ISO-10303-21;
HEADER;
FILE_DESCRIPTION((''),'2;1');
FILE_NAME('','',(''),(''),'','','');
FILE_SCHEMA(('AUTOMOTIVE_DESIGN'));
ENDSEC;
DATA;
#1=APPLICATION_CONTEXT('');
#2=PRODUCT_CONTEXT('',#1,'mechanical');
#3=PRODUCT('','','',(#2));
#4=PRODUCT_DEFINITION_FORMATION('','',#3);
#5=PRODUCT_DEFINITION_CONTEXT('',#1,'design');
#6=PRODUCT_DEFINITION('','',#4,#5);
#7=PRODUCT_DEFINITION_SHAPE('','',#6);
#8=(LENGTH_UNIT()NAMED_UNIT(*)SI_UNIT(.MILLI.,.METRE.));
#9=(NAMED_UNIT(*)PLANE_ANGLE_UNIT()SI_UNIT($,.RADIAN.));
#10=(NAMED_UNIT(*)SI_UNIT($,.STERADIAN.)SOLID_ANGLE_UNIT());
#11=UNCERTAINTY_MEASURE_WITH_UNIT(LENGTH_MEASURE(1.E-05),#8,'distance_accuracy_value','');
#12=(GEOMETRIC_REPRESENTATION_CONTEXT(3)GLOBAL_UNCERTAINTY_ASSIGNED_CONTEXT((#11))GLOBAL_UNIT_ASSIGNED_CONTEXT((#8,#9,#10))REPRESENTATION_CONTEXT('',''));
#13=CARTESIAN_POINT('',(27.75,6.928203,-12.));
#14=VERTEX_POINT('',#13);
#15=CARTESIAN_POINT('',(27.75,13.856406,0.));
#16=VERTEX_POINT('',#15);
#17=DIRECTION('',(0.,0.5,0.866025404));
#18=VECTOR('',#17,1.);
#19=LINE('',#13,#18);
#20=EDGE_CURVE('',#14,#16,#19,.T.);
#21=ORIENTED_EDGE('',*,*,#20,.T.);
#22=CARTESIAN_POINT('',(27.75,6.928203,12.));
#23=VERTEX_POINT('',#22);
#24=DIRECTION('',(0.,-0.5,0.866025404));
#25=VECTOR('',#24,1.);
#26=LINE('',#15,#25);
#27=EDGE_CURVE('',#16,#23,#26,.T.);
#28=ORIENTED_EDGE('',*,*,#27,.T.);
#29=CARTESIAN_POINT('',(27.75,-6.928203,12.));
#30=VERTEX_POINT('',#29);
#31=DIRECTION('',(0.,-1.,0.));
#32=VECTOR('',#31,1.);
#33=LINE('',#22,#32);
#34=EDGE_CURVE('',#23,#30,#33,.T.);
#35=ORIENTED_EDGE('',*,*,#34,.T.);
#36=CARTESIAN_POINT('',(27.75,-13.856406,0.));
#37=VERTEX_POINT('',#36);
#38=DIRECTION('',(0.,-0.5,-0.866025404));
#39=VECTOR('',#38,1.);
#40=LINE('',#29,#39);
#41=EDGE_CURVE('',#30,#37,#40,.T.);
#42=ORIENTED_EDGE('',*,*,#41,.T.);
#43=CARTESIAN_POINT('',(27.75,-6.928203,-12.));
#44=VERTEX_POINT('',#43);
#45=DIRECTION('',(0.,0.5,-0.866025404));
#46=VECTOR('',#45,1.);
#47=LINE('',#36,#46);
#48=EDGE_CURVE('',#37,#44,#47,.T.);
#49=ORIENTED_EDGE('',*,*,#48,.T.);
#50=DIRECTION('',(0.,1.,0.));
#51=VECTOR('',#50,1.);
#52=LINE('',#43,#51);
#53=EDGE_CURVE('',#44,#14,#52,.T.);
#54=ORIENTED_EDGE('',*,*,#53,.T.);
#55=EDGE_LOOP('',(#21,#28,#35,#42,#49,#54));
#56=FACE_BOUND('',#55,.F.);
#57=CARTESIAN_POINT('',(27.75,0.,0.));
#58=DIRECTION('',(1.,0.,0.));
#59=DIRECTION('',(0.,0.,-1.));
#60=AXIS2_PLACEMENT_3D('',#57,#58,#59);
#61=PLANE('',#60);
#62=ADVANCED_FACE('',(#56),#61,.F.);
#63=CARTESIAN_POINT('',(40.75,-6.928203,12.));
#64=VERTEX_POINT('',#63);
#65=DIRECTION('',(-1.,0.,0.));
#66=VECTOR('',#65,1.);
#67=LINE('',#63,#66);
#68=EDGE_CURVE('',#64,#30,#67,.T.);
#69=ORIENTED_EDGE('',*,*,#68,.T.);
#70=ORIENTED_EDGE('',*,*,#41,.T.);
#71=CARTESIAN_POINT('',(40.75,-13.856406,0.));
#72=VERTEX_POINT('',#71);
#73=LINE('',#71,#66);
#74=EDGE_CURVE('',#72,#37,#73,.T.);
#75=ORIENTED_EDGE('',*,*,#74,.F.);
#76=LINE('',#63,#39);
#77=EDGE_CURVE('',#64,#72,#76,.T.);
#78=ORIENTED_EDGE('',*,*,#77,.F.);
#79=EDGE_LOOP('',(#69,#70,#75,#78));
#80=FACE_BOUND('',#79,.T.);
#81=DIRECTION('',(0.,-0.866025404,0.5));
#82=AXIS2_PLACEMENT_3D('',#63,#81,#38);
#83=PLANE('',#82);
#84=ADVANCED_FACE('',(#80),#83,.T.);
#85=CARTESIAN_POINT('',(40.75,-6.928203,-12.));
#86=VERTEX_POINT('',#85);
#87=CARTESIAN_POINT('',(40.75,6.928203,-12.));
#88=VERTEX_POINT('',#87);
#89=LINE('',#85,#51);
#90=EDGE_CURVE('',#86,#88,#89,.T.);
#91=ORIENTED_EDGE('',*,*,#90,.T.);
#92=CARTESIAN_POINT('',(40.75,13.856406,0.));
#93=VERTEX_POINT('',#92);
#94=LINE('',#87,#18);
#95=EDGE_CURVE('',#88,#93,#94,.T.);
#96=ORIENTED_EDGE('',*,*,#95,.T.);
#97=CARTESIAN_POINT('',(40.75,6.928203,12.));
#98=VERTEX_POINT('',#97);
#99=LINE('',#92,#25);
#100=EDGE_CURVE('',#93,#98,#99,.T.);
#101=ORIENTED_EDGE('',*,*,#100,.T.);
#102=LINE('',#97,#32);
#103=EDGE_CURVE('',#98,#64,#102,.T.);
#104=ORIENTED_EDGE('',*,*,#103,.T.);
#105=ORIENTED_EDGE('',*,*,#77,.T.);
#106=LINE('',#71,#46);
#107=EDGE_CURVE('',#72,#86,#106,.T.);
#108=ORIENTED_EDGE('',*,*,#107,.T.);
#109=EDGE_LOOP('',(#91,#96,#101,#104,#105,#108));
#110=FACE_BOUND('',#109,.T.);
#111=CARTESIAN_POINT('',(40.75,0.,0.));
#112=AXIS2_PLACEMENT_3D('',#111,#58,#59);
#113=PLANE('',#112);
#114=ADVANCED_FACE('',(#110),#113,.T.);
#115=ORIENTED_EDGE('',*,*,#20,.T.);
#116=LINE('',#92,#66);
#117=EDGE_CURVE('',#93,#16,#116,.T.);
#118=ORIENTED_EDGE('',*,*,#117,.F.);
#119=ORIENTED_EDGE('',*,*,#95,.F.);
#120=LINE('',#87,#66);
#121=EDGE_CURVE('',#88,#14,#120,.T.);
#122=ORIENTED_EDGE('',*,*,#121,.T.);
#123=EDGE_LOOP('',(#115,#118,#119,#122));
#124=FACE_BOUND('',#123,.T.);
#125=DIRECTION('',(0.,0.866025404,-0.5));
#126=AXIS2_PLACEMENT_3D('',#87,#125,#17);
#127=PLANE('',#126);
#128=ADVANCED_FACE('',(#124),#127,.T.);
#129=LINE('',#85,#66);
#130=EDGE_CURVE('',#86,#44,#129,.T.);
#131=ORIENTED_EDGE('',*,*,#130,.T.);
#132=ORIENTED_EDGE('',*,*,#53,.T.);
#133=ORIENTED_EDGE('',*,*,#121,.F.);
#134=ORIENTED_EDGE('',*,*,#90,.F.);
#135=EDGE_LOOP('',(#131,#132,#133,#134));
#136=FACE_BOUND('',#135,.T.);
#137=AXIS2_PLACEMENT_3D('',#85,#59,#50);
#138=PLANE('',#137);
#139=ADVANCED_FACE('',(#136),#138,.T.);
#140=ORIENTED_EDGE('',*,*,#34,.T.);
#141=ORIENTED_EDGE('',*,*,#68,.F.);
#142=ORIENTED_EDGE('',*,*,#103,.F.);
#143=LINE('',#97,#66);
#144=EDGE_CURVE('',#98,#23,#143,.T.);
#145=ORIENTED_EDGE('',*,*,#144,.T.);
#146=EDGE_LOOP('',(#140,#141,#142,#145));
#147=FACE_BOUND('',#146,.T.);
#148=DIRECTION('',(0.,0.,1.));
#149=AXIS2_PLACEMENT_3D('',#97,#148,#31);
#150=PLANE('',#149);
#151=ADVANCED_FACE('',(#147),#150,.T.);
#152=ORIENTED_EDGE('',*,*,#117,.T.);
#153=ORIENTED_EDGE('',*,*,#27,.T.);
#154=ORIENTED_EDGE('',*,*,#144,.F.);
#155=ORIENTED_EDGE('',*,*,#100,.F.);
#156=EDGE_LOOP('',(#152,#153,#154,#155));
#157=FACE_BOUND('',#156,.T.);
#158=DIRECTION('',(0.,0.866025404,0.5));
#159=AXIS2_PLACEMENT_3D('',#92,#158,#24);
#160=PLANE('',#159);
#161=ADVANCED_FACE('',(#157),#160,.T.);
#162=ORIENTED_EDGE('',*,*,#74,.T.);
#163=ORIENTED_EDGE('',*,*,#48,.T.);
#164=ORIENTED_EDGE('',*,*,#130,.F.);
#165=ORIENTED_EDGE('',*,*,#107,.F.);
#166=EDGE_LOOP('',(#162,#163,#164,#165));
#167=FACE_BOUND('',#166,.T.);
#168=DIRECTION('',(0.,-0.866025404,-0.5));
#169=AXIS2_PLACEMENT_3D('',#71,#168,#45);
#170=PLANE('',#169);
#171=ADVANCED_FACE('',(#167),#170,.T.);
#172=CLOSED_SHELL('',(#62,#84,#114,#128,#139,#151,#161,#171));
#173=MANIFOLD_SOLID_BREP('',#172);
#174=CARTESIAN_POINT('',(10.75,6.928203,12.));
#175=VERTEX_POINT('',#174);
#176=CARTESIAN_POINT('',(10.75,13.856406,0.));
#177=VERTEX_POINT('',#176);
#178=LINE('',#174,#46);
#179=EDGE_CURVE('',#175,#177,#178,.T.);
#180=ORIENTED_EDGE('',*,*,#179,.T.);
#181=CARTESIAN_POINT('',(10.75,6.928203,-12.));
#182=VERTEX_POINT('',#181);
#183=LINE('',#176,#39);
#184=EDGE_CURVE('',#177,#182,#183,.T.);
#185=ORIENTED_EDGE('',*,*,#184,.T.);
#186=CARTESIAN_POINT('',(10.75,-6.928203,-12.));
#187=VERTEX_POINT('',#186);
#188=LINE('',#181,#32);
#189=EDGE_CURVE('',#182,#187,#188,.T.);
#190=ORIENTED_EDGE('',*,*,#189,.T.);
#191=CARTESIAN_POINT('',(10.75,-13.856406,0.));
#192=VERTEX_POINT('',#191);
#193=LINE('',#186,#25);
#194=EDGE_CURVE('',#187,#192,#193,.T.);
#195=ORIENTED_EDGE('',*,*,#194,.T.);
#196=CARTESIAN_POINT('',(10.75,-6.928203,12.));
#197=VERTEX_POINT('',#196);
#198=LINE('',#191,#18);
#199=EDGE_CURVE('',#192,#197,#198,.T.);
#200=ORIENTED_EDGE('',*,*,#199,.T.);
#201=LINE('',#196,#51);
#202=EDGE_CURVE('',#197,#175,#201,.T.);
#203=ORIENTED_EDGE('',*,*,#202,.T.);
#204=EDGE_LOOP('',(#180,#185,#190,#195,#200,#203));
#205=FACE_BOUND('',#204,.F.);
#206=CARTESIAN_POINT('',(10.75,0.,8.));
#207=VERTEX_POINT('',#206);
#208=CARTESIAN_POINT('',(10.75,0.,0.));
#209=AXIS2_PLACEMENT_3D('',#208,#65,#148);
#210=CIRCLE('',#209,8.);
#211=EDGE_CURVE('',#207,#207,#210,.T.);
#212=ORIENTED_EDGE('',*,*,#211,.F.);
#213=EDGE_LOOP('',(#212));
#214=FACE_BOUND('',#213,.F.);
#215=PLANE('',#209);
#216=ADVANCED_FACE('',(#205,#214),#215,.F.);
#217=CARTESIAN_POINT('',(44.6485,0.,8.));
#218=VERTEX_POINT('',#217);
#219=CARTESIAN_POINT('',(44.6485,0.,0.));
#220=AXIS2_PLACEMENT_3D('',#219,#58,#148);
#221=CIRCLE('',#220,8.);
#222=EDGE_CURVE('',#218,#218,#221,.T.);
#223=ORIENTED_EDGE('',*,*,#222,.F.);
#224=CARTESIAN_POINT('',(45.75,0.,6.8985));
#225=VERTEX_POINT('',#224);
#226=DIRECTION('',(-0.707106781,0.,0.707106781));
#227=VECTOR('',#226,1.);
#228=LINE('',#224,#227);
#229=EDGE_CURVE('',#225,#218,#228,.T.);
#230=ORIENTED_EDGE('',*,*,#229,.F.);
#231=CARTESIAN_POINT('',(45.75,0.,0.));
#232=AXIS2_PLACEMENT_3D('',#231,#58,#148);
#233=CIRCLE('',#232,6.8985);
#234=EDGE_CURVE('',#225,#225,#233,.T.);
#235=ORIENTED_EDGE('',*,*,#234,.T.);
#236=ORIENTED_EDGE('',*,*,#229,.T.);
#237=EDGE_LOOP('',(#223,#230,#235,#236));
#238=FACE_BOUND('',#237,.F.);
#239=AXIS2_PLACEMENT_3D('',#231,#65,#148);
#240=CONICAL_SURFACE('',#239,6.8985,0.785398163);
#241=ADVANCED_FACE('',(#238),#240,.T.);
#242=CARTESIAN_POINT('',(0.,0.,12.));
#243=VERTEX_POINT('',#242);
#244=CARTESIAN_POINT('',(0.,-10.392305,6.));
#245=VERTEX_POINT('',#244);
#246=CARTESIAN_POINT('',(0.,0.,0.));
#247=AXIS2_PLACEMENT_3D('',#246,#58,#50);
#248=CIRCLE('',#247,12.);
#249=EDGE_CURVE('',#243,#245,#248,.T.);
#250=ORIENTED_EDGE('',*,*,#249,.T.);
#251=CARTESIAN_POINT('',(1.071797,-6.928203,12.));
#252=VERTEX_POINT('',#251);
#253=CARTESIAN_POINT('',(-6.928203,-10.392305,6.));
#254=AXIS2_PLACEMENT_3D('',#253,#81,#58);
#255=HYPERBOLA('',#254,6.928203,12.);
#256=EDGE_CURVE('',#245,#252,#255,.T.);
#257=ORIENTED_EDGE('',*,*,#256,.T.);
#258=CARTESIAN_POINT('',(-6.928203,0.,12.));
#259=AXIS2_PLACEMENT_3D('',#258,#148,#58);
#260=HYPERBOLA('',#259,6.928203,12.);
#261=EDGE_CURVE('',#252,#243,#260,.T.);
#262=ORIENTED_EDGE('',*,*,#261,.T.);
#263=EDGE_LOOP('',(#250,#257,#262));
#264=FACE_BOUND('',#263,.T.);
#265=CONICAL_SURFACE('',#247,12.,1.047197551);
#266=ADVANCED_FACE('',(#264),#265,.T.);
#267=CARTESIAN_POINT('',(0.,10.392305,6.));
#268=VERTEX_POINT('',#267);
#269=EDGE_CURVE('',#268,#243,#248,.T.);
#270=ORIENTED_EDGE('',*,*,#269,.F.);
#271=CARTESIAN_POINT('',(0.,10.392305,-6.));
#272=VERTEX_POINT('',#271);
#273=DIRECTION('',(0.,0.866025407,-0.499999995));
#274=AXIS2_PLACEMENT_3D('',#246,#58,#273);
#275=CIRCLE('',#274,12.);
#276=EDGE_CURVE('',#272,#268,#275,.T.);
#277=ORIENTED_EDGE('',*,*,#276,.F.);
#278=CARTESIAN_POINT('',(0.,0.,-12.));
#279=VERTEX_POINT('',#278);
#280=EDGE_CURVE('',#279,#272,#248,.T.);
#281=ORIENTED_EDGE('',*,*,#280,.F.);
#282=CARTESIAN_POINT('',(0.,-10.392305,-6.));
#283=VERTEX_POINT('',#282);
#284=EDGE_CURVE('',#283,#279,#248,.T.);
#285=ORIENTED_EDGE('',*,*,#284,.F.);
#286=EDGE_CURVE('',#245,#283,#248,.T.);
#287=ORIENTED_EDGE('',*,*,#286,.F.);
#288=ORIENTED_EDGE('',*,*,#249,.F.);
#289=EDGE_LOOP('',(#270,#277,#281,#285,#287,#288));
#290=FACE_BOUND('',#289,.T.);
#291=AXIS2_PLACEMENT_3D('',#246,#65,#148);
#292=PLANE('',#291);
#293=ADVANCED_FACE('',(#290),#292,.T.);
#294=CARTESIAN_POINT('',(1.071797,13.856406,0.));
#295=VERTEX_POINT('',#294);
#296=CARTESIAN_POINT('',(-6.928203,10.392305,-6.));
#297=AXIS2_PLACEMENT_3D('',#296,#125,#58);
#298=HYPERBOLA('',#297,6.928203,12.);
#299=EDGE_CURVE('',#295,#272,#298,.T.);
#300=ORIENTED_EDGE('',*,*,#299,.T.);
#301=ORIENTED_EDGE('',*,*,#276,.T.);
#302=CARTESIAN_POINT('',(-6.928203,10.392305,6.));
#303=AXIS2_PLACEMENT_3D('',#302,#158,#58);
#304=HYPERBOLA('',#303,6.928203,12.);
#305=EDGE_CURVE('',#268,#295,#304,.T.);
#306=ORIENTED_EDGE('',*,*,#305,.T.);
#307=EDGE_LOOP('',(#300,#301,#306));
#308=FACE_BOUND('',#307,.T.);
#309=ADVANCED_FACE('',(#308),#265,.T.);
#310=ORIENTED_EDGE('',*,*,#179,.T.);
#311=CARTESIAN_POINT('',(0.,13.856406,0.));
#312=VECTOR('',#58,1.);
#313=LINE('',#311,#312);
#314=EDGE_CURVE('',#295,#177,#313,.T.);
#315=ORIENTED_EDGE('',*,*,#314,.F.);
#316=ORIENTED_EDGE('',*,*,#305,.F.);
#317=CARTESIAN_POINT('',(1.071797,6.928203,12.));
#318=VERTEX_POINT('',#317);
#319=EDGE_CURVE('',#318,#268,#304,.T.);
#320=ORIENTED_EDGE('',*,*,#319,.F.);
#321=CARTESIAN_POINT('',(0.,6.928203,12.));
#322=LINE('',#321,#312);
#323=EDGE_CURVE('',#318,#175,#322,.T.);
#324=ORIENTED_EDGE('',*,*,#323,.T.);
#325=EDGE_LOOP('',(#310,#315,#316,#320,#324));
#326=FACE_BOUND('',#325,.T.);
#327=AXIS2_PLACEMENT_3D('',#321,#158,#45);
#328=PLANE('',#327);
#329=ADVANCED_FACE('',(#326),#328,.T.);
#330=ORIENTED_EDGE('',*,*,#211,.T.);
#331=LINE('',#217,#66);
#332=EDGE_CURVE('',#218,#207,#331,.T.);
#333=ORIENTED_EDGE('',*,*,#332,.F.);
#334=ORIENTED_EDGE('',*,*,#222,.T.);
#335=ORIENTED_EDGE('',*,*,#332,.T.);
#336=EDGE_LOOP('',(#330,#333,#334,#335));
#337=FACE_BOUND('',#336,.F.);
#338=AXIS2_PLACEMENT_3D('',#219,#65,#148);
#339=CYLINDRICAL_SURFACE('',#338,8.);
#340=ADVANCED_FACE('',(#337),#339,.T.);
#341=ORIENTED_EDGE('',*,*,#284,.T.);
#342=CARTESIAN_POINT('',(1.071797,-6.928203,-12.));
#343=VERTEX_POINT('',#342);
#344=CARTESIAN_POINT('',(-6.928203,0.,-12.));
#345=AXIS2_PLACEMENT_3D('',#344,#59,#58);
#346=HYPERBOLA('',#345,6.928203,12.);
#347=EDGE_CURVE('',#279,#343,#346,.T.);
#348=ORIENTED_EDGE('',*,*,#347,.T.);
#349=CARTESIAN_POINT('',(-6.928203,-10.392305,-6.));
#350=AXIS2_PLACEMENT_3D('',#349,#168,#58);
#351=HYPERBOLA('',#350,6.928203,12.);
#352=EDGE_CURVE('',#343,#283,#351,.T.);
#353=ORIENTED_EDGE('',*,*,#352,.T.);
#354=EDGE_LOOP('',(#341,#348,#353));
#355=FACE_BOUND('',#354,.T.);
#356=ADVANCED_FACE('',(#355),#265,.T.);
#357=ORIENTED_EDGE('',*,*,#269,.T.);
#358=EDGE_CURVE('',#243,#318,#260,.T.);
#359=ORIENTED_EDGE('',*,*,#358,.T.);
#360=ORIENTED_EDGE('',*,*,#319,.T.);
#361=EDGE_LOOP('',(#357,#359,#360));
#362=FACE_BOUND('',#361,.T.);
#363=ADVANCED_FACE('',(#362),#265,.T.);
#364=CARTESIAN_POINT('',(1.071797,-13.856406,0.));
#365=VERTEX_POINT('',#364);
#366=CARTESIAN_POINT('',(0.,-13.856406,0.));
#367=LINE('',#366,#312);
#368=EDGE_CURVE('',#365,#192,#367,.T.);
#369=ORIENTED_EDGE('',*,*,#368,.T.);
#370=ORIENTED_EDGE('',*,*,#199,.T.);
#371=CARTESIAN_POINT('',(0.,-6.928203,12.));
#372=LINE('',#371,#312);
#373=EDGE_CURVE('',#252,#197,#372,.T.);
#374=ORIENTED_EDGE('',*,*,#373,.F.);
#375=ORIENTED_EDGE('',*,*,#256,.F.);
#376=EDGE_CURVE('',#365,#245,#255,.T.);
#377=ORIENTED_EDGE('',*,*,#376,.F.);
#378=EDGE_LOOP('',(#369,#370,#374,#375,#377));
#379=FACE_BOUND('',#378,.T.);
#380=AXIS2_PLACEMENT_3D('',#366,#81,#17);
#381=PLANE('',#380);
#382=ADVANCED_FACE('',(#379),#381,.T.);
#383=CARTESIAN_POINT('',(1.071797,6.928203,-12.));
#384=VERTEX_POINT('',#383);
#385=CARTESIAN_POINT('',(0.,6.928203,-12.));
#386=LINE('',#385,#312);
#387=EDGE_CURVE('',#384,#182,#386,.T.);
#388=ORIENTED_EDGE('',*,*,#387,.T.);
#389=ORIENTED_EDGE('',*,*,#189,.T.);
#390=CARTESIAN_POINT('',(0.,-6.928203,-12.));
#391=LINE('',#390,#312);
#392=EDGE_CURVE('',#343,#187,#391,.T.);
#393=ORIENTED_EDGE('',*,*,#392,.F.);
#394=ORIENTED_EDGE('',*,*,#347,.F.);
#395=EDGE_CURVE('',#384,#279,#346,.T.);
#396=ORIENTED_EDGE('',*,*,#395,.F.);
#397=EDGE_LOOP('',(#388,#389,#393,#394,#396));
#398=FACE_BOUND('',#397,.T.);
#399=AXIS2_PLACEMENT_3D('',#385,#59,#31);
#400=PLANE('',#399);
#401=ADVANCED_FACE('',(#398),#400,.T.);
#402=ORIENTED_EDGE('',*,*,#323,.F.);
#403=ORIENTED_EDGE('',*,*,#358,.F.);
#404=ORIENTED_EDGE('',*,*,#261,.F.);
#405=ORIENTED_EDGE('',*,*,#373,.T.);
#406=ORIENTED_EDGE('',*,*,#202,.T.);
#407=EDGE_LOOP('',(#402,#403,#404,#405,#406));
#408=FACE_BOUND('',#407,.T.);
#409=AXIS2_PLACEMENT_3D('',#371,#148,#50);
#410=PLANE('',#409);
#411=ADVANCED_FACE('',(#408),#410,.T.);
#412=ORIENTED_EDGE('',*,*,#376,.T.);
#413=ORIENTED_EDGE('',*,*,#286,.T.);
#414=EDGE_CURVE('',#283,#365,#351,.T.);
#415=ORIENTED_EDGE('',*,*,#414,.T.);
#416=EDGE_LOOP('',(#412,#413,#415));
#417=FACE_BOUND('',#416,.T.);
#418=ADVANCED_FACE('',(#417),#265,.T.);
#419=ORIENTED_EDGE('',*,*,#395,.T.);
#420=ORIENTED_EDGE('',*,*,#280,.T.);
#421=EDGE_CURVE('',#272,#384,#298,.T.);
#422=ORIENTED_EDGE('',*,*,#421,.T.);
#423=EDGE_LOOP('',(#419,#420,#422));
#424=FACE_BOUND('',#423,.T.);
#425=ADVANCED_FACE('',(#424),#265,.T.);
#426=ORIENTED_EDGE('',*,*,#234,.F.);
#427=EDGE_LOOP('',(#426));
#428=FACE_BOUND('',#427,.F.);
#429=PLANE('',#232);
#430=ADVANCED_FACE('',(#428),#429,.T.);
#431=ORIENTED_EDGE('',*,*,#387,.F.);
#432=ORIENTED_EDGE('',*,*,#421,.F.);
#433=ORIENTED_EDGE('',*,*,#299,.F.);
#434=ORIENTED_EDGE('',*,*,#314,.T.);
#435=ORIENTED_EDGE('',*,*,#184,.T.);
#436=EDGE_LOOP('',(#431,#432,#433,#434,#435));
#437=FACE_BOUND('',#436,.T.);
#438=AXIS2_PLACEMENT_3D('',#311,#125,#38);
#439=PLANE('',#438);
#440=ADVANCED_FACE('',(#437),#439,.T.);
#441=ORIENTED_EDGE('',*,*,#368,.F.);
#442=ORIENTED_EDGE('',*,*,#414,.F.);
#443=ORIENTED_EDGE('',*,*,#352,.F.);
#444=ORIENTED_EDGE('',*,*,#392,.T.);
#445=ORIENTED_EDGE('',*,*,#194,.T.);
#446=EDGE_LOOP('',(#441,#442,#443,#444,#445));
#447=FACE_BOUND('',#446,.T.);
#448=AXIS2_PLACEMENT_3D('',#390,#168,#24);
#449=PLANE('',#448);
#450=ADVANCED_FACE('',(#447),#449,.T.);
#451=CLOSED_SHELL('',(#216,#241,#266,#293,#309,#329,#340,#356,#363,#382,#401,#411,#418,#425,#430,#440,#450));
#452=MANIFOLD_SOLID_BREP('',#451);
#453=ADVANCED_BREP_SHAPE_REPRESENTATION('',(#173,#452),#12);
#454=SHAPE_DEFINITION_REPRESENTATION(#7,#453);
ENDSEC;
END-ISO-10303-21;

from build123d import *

# Parameters (mm, degrees)
BASEHEAD_DEPTH      = 10.75
BOSS_EXTRUDE1_DEPTH = 13


with BuildPart() as part:
    # Sketch1 → BaseHead (new body)
    with BuildSketch(Plane(origin=(0, 0, 0), x_dir=(0, 0, -1), z_dir=(1, 0, 0))):
        Polygon((12, 6.92820323), (12, -6.92820323), (0, -13.856406461), (-12, -6.92820323), (-12, 6.92820323), (0, 13.856406461), align=None)
    extrude(amount=BASEHEAD_DEPTH)

    # BodySke → BaseBody (revolve)
    with BuildSketch(Plane.XY, mode=Mode.PRIVATE) as basebody_sk:
        Polygon((0, 0), (45.75, 0), (45.75, 6.8985), (44.6485, 8), (0, 8), align=None)
    revolve(basebody_sk.sketch.rotate(Axis((0, 0, 0), (1, 0, 0)), 90), axis=Axis((0, 0, 0), (1, 0, 0)))

    # Sketch3 → HeadChamfer (revolve, cut)
    with BuildSketch(Plane.XY):
        Polygon((0, 12), (3.958548116, 18.856406461), (3.958548116, 23.856406461), (-10, 23.856406461), (-10, 12), align=None)
    revolve(axis=Axis((0, 0, 0), (1, 0, 0)), mode=Mode.SUBTRACT)


with BuildPart() as body_2:
    # Sketch4 → Boss-Extrude1 (new body)
    with BuildSketch(Plane(origin=(40.75, 0, 0), x_dir=(0, 0, -1), z_dir=(1, 0, 0))):
        Polygon((0, 13.856406461), (-12, 6.92820323), (-12, -6.92820323), (0, -13.856406461), (12, -6.92820323), (12, 6.92820323), align=None)
    extrude(amount=-BOSS_EXTRUDE1_DEPTH)


solid = Compound([part.part, body_2.part])
